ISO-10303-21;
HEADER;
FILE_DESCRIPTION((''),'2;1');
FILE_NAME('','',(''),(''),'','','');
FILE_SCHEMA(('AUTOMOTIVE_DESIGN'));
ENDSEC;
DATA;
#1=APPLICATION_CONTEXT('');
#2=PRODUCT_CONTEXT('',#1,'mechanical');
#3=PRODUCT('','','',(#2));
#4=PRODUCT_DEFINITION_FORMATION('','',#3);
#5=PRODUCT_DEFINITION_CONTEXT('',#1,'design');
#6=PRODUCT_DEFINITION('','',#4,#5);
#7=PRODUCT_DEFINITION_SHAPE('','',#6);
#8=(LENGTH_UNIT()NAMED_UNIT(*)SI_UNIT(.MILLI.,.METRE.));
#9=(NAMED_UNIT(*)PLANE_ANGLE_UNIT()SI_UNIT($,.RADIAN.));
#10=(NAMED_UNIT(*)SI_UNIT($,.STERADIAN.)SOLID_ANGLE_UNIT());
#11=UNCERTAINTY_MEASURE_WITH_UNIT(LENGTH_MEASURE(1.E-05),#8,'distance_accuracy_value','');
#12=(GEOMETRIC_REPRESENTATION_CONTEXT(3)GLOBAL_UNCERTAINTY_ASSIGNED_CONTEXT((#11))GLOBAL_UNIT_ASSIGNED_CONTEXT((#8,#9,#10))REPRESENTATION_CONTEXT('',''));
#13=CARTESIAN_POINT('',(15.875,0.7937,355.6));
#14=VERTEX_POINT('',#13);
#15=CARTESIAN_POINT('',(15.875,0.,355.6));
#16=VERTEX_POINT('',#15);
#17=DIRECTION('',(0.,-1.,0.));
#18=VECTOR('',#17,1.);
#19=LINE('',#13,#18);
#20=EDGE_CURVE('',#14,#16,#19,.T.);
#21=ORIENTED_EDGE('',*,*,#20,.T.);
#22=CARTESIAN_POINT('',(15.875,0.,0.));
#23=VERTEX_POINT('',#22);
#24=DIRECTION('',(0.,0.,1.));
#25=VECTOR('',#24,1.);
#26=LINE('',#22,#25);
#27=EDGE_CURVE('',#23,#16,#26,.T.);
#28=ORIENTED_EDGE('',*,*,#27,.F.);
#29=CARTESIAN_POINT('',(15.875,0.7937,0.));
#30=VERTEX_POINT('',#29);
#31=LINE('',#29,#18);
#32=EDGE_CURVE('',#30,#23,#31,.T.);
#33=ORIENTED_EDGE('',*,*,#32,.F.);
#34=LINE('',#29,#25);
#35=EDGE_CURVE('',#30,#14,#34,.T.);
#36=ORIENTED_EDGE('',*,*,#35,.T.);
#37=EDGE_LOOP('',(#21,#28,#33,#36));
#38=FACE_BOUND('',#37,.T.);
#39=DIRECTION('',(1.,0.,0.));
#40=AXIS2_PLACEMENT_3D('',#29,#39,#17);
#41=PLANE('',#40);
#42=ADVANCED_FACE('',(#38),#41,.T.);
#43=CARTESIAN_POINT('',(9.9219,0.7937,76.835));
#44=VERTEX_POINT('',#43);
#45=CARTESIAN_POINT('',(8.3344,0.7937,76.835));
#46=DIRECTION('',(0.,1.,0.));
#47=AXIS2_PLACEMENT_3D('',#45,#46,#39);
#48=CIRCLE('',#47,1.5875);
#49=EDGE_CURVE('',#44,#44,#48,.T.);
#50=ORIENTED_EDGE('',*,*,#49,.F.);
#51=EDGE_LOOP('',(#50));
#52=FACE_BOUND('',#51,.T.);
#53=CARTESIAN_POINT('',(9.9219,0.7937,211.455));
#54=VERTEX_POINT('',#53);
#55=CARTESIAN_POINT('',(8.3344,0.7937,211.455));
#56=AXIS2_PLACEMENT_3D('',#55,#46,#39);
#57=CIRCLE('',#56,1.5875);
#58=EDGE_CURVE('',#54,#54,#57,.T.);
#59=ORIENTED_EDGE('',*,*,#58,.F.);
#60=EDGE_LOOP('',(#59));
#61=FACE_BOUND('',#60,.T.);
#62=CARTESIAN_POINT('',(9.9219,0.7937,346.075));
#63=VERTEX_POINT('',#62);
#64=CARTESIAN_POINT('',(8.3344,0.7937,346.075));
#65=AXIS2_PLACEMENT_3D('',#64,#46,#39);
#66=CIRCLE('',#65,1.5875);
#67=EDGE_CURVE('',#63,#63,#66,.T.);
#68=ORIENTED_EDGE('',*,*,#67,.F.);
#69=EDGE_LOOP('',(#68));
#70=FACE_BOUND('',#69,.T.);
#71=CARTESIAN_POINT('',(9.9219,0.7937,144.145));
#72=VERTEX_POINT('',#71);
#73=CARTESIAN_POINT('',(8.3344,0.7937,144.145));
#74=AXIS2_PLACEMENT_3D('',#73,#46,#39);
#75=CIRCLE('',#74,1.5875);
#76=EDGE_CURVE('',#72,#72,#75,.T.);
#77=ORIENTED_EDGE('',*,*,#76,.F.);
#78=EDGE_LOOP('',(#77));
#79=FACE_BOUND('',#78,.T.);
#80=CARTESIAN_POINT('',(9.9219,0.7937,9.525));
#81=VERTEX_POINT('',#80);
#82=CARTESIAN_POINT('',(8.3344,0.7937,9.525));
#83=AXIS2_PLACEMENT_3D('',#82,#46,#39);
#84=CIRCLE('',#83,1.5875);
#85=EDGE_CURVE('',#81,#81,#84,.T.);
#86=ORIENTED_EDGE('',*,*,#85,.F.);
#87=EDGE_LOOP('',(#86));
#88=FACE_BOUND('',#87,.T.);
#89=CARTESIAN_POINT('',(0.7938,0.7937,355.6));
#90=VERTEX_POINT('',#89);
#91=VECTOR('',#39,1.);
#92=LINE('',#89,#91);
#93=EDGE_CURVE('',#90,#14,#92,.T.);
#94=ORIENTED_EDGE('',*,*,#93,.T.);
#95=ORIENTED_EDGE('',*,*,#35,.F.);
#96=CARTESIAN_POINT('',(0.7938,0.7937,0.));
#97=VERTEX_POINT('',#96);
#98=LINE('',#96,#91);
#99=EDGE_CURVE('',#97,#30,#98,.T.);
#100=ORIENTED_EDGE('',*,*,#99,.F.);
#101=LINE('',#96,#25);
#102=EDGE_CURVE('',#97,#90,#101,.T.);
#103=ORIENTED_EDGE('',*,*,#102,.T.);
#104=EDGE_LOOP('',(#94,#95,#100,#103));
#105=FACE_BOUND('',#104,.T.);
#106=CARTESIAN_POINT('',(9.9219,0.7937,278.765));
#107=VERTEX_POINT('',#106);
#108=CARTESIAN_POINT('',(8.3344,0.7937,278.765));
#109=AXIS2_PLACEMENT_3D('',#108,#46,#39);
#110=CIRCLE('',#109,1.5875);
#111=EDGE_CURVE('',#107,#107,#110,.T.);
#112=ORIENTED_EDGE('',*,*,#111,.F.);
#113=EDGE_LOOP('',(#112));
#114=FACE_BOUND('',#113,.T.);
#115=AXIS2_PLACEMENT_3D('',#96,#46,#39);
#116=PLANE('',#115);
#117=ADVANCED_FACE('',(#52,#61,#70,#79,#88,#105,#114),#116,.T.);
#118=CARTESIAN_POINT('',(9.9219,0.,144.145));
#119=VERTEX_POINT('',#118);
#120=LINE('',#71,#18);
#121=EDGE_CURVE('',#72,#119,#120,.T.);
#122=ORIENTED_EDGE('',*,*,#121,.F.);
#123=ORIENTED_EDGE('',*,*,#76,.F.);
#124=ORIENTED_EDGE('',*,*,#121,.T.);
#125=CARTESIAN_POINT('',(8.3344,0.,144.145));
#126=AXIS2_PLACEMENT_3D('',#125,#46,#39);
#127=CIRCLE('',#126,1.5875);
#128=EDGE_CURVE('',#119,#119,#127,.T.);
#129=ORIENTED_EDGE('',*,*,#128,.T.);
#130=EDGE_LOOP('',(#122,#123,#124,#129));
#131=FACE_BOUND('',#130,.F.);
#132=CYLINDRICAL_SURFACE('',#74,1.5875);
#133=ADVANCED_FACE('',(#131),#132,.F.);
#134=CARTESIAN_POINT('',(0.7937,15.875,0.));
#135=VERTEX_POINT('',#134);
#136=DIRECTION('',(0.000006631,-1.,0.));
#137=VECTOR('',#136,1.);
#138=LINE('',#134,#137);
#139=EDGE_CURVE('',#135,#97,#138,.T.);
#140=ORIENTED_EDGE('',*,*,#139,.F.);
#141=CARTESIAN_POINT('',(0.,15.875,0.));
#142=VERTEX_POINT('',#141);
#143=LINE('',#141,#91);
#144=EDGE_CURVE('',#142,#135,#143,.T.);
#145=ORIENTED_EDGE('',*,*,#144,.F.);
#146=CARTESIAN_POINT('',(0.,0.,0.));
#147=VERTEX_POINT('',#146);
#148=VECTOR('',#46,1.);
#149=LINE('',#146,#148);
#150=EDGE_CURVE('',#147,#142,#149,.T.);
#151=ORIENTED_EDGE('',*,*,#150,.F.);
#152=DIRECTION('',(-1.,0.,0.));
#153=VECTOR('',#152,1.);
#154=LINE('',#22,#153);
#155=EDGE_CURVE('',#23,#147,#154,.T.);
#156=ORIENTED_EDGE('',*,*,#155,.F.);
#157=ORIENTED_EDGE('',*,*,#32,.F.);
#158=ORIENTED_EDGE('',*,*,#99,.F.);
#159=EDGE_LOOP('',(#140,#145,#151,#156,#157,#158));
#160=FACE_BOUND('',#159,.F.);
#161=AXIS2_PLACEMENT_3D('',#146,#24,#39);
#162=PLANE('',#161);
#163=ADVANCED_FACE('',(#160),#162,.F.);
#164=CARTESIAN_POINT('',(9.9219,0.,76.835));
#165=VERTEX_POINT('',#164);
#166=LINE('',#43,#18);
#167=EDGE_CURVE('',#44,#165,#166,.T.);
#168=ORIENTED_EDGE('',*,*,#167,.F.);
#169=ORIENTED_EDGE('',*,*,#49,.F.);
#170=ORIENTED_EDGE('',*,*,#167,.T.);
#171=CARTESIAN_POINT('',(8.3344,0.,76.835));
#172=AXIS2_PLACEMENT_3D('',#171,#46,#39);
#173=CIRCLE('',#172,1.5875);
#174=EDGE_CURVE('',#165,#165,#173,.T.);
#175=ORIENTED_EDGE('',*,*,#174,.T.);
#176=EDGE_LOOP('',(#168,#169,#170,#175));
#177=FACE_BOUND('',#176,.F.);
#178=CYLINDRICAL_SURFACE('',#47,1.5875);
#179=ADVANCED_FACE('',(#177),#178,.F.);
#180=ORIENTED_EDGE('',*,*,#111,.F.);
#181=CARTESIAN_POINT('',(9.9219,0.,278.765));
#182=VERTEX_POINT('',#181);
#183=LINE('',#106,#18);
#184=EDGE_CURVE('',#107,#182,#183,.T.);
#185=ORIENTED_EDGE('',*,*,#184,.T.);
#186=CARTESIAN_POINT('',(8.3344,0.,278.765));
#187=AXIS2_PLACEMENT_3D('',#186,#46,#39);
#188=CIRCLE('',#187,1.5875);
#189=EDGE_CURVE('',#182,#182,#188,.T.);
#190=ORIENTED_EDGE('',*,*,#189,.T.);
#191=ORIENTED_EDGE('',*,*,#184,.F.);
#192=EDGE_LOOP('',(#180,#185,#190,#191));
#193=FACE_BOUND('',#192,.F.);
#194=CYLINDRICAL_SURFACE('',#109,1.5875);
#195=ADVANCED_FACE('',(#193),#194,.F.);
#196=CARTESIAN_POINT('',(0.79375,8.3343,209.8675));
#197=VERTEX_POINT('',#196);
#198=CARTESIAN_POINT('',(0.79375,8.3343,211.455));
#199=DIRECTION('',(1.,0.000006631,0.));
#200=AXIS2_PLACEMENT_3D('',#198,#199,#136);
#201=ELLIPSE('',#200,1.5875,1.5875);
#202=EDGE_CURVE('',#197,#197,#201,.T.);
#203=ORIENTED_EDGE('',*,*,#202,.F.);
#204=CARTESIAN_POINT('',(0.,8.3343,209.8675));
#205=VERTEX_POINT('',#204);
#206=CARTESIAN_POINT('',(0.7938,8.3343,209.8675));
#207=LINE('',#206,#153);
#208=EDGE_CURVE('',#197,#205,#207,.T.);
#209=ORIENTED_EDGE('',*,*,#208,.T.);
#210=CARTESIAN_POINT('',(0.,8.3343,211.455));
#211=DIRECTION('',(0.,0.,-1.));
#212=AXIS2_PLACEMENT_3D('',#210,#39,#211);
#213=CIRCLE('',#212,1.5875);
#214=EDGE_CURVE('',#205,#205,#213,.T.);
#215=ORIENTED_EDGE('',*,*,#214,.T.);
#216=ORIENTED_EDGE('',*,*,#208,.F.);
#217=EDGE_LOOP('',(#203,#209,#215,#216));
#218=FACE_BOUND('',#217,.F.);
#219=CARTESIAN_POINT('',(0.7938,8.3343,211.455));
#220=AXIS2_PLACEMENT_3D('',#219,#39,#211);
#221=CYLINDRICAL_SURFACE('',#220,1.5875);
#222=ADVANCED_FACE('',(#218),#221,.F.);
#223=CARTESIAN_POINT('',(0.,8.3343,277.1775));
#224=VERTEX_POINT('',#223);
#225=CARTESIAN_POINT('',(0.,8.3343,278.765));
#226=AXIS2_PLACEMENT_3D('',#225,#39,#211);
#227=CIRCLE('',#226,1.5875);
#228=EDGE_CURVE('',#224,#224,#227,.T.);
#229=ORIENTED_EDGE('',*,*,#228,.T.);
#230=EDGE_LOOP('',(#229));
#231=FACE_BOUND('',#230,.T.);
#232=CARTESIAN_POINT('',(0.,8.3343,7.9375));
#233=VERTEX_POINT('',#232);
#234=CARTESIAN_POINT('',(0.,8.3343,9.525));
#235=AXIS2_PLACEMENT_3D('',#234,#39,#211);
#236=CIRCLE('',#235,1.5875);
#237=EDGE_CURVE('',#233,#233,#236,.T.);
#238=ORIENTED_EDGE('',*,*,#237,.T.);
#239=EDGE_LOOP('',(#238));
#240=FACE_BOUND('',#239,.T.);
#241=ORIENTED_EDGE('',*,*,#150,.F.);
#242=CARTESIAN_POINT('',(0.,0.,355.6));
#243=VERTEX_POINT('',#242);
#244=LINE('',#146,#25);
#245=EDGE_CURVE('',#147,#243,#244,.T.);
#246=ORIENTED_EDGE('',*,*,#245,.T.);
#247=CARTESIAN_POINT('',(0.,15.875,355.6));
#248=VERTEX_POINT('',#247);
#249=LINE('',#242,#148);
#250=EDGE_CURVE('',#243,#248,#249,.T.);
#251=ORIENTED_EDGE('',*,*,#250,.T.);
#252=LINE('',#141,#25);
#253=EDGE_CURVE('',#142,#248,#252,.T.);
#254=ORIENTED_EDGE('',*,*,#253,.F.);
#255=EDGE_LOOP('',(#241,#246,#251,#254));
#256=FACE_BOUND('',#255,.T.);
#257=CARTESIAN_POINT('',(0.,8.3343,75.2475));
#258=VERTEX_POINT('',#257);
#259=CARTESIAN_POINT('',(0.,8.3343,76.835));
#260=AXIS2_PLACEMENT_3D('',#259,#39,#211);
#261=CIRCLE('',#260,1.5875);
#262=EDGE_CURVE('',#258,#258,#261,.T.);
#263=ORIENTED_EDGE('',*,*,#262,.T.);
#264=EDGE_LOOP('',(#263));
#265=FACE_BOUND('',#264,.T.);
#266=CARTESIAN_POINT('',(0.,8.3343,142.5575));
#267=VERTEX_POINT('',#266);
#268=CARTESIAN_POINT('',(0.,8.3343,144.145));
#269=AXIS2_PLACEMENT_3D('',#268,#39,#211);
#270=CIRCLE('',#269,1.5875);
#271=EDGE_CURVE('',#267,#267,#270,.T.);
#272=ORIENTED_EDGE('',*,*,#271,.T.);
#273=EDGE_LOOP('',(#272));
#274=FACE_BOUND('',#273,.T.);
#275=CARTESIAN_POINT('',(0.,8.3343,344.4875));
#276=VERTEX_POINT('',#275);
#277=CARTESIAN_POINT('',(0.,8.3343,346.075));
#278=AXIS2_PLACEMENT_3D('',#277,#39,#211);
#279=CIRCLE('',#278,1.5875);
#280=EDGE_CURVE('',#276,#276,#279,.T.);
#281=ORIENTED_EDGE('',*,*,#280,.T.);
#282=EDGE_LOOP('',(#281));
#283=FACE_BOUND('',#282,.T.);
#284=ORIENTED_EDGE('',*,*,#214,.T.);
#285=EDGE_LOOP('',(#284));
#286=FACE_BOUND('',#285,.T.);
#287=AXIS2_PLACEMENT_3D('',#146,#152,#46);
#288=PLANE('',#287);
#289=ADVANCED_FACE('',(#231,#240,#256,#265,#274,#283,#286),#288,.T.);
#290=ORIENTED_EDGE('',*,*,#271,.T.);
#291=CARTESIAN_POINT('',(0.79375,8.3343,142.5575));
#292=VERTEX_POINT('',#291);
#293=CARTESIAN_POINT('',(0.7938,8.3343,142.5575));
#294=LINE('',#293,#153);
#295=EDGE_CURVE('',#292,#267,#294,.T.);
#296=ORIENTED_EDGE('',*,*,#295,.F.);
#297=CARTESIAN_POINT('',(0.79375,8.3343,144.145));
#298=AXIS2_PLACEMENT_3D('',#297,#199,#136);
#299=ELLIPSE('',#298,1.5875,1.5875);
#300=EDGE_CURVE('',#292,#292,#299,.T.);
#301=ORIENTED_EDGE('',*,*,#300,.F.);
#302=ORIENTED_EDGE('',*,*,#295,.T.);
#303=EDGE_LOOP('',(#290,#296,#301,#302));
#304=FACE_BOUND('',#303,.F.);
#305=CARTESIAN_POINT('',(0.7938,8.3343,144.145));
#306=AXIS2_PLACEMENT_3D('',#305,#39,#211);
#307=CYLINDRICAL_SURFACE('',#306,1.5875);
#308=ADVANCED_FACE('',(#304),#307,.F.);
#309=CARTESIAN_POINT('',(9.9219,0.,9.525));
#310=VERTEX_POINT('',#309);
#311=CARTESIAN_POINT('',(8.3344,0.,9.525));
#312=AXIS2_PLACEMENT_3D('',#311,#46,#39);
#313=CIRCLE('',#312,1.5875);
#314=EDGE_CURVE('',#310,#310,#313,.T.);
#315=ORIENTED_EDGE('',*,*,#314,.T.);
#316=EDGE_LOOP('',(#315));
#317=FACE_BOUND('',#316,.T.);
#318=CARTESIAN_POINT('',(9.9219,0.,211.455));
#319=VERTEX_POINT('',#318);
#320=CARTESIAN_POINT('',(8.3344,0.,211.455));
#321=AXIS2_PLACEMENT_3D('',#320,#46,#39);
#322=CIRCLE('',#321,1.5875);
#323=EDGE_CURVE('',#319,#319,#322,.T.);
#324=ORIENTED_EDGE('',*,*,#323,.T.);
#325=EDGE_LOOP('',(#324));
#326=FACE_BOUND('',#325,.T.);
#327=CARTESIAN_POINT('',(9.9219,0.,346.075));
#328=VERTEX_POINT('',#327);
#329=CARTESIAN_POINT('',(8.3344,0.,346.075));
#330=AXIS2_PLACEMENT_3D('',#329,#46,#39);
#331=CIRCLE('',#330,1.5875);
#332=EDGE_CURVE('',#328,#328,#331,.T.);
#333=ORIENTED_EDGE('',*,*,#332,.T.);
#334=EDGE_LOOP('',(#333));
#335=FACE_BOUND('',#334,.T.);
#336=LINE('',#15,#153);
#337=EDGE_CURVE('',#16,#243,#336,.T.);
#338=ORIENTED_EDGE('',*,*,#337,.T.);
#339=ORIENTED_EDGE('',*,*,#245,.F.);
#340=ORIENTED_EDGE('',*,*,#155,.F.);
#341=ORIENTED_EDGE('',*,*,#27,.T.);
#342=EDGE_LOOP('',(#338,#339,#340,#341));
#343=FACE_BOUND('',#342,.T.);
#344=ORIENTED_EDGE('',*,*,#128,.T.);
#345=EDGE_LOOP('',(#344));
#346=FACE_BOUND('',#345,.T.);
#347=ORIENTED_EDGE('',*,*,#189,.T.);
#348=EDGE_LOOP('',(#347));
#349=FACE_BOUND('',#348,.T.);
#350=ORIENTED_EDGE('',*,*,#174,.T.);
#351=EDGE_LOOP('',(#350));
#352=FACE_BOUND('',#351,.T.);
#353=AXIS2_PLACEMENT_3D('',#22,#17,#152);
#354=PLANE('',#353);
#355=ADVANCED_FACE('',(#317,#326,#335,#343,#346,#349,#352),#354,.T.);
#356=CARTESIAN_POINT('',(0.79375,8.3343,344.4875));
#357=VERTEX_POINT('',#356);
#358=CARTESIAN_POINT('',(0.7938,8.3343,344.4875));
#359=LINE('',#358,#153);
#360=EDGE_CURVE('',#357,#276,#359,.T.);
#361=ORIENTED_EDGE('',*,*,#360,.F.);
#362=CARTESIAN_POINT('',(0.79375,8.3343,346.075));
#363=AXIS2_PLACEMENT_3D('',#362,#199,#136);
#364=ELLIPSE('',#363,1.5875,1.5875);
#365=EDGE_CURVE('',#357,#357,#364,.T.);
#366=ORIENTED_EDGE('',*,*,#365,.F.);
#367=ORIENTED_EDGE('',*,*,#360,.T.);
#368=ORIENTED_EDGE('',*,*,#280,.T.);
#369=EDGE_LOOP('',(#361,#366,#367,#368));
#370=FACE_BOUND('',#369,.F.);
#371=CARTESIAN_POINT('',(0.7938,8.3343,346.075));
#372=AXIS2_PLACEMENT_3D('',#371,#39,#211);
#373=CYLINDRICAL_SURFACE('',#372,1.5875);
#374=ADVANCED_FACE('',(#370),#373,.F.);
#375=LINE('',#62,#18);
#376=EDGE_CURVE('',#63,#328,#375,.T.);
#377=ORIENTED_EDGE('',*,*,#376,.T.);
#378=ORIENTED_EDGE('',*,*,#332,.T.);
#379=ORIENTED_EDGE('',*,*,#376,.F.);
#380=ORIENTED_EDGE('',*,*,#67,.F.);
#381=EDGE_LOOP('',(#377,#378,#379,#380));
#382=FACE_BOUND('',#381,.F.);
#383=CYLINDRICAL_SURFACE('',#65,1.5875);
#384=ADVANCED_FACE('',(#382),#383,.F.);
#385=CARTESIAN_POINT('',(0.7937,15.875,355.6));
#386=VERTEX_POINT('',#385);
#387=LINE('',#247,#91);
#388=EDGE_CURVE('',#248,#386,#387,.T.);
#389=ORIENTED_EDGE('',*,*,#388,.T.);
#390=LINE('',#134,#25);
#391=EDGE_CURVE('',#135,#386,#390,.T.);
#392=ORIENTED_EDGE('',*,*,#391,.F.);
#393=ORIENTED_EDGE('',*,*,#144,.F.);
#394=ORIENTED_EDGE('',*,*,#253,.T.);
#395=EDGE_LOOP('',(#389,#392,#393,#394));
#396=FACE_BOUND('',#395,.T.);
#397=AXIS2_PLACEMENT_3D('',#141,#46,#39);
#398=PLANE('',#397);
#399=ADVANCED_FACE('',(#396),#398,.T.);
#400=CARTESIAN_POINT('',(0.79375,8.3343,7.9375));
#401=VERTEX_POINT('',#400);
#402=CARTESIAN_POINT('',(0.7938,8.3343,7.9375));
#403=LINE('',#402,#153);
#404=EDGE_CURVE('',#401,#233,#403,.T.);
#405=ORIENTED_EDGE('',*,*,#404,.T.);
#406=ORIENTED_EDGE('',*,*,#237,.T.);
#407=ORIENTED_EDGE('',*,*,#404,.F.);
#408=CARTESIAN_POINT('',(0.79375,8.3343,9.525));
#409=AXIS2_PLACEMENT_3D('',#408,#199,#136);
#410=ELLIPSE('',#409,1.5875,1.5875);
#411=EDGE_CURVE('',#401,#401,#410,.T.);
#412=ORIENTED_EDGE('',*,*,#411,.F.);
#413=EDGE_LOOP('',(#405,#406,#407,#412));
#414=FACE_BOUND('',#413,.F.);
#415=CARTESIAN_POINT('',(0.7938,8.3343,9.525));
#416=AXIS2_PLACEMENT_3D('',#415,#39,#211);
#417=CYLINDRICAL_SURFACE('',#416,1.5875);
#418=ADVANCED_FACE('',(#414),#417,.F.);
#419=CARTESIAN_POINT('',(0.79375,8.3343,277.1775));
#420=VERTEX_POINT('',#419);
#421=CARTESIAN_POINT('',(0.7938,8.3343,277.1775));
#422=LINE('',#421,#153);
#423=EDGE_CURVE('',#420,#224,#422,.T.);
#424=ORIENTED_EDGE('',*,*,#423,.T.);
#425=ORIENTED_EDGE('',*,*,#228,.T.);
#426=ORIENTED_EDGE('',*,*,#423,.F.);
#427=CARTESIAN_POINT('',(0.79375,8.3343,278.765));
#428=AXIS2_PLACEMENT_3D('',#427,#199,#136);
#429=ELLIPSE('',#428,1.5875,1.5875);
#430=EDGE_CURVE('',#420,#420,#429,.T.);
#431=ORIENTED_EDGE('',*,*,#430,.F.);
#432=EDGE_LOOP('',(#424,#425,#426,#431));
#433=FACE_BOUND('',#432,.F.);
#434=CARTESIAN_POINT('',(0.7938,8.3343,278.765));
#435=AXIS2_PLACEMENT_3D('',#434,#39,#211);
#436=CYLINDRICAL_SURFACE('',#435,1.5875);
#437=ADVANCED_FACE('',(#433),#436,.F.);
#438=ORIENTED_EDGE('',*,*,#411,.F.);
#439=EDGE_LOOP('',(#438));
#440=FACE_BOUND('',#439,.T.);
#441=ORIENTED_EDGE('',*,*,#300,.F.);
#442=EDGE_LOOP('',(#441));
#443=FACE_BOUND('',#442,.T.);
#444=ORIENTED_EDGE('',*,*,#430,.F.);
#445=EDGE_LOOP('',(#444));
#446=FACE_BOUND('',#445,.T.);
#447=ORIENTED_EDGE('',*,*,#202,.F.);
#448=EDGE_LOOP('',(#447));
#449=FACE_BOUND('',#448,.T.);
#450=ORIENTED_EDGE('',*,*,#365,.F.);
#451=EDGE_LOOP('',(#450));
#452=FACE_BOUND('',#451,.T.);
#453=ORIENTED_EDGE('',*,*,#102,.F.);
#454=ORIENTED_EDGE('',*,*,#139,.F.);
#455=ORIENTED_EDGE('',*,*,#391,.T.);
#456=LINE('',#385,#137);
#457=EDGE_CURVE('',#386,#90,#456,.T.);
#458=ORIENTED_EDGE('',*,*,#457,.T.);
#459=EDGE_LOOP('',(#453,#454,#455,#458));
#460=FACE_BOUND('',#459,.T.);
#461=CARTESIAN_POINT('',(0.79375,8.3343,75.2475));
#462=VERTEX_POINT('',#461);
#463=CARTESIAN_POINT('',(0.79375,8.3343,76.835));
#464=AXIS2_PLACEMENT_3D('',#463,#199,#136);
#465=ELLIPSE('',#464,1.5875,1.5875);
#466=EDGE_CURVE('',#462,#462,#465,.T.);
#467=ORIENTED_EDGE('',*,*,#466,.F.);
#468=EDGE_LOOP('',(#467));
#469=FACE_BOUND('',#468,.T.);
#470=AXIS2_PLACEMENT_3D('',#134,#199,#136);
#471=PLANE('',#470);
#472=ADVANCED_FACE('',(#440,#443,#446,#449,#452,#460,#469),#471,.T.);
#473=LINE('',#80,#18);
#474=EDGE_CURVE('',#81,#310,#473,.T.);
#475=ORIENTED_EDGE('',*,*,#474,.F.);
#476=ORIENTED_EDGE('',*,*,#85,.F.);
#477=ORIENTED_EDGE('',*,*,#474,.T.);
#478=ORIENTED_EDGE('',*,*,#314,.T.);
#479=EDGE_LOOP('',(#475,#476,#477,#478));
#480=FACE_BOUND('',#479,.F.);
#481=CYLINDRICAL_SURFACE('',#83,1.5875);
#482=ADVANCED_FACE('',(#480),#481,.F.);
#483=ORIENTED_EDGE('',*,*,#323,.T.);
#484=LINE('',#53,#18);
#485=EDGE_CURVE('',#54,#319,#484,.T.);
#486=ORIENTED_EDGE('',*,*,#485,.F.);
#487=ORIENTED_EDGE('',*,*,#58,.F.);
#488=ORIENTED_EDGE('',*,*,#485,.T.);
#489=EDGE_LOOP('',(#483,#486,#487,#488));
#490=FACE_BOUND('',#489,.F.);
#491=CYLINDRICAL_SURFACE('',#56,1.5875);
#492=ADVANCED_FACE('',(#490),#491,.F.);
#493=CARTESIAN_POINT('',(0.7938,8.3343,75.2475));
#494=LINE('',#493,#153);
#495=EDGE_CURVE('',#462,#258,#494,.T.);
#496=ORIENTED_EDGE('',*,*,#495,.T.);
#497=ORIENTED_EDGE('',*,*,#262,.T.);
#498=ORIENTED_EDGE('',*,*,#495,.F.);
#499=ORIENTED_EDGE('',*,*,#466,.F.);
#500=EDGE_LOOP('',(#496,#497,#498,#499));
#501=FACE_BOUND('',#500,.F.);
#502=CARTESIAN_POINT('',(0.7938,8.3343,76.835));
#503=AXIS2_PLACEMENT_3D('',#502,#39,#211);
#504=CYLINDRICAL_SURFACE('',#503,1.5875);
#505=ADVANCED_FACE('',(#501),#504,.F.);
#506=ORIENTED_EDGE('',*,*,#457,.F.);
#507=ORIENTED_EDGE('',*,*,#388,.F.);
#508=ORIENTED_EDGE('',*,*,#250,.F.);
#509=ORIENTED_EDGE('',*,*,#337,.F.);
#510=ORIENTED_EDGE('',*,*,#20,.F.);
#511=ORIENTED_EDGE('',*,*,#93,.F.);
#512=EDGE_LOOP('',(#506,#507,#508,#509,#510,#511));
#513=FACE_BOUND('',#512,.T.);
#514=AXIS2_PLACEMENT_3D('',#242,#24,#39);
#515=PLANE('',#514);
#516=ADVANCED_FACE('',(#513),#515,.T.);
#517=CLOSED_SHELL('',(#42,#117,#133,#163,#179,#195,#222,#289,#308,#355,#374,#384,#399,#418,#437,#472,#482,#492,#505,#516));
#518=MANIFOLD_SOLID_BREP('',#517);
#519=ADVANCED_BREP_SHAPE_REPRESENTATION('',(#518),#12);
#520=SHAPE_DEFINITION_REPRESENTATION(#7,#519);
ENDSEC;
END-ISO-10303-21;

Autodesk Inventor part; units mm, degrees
ref_plane "YZ Plane" through (0, 0, 0) normal (1, 0, 0) x (0, 1, 0)
ref_plane "XZ Plane" through (0, 0, 0) normal (0, 1, 0) x (-1, 0, 0)
ref_plane "XY Plane" through (0, 0, 0) normal (0, 0, 1) x (1, 0, 0)
sketch "Sketch1" plane through (0, 0, 0) normal (0, 0, 1) x (1, 0, 0)
  line L0 (0, 0) -> (0, 15.875)
  line L1 (0, 15.875) -> (0.7937, 15.875)
  line L2 (0.7937, 15.875) -> (0.7938, 0.7937)
  line L3 (0.7938, 0.7937) -> (15.875, 0.7937)
  line L4 (15.875, 0.7937) -> (15.875, 0)
  line L5 (15.875, 0) -> (0, 0)
  dimension "d0" = 15.875
  dimension "d1" = 0.7937
extrude "Extrusion1" add sketch "Sketch1" along normal blind 355.6
sketch "Sketch2" plane through (0.7938, 0.7937, 0) normal (0, 1, 0) x (1, 0, 0)
  line L0 (0, 0) -> (15.0812, 0) projected
  line L1 (15.0812, -355.6) -> (0, -355.6) projected
  line L2 (7.5406, 0) -> (7.5406, -355.6) construction
  circle A0 centre (7.5406, -9.525) radius 1.5875
  circle A1 centre (7.5406, -76.835) radius 1.5875
  circle A2 centre (7.5406, -144.145) radius 1.5875
  circle A3 centre (7.5406, -211.455) radius 1.5875
  circle A4 centre (7.5406, -278.765) radius 1.5875
  circle A5 centre (7.5406, -346.075) radius 1.5875
  point P0 (-0.7938, 0)
  dimension "d4" = 9.525
  dimension "d5" = 3.175
  dimension "d6" = 355.6
  dimension "d9" = 67.31
sketch "Sketch3" plane through (0.7938, 0.7937, 0) normal (1, 0, 0) x (0, 0, -1)
  line L0 (0, 15.0812) -> (0, 0) projected
  line L1 (-355.6, 0) -> (-355.6, 15.0812) projected
  line L2 (-355.6, 7.5406) -> (0, 7.5406) construction
  circle A0 centre (-9.525, 7.5406) radius 1.5875
  circle A1 centre (-76.835, 7.5406) radius 1.5875
  circle A2 centre (-144.145, 7.5406) radius 1.5875
  circle A3 centre (-211.455, 7.5406) radius 1.5875
  circle A4 centre (-278.765, 7.5406) radius 1.5875
  circle A5 centre (-346.075, 7.5406) radius 1.5875
  point P0 (0, -0.7937)
  dimension "d14" = 3.175
  dimension "d15" = 9.525
  dimension "d16" = 355.6
  dimension "d19" = 67.31
extrude "Extrusion2" cut sketch "Sketch2" against normal through all
extrude "Extrusion3" cut sketch "Sketch3" against normal through all
properties part number "Hopper Bracing Back Bottom P11" material "Aluminum 6061"
